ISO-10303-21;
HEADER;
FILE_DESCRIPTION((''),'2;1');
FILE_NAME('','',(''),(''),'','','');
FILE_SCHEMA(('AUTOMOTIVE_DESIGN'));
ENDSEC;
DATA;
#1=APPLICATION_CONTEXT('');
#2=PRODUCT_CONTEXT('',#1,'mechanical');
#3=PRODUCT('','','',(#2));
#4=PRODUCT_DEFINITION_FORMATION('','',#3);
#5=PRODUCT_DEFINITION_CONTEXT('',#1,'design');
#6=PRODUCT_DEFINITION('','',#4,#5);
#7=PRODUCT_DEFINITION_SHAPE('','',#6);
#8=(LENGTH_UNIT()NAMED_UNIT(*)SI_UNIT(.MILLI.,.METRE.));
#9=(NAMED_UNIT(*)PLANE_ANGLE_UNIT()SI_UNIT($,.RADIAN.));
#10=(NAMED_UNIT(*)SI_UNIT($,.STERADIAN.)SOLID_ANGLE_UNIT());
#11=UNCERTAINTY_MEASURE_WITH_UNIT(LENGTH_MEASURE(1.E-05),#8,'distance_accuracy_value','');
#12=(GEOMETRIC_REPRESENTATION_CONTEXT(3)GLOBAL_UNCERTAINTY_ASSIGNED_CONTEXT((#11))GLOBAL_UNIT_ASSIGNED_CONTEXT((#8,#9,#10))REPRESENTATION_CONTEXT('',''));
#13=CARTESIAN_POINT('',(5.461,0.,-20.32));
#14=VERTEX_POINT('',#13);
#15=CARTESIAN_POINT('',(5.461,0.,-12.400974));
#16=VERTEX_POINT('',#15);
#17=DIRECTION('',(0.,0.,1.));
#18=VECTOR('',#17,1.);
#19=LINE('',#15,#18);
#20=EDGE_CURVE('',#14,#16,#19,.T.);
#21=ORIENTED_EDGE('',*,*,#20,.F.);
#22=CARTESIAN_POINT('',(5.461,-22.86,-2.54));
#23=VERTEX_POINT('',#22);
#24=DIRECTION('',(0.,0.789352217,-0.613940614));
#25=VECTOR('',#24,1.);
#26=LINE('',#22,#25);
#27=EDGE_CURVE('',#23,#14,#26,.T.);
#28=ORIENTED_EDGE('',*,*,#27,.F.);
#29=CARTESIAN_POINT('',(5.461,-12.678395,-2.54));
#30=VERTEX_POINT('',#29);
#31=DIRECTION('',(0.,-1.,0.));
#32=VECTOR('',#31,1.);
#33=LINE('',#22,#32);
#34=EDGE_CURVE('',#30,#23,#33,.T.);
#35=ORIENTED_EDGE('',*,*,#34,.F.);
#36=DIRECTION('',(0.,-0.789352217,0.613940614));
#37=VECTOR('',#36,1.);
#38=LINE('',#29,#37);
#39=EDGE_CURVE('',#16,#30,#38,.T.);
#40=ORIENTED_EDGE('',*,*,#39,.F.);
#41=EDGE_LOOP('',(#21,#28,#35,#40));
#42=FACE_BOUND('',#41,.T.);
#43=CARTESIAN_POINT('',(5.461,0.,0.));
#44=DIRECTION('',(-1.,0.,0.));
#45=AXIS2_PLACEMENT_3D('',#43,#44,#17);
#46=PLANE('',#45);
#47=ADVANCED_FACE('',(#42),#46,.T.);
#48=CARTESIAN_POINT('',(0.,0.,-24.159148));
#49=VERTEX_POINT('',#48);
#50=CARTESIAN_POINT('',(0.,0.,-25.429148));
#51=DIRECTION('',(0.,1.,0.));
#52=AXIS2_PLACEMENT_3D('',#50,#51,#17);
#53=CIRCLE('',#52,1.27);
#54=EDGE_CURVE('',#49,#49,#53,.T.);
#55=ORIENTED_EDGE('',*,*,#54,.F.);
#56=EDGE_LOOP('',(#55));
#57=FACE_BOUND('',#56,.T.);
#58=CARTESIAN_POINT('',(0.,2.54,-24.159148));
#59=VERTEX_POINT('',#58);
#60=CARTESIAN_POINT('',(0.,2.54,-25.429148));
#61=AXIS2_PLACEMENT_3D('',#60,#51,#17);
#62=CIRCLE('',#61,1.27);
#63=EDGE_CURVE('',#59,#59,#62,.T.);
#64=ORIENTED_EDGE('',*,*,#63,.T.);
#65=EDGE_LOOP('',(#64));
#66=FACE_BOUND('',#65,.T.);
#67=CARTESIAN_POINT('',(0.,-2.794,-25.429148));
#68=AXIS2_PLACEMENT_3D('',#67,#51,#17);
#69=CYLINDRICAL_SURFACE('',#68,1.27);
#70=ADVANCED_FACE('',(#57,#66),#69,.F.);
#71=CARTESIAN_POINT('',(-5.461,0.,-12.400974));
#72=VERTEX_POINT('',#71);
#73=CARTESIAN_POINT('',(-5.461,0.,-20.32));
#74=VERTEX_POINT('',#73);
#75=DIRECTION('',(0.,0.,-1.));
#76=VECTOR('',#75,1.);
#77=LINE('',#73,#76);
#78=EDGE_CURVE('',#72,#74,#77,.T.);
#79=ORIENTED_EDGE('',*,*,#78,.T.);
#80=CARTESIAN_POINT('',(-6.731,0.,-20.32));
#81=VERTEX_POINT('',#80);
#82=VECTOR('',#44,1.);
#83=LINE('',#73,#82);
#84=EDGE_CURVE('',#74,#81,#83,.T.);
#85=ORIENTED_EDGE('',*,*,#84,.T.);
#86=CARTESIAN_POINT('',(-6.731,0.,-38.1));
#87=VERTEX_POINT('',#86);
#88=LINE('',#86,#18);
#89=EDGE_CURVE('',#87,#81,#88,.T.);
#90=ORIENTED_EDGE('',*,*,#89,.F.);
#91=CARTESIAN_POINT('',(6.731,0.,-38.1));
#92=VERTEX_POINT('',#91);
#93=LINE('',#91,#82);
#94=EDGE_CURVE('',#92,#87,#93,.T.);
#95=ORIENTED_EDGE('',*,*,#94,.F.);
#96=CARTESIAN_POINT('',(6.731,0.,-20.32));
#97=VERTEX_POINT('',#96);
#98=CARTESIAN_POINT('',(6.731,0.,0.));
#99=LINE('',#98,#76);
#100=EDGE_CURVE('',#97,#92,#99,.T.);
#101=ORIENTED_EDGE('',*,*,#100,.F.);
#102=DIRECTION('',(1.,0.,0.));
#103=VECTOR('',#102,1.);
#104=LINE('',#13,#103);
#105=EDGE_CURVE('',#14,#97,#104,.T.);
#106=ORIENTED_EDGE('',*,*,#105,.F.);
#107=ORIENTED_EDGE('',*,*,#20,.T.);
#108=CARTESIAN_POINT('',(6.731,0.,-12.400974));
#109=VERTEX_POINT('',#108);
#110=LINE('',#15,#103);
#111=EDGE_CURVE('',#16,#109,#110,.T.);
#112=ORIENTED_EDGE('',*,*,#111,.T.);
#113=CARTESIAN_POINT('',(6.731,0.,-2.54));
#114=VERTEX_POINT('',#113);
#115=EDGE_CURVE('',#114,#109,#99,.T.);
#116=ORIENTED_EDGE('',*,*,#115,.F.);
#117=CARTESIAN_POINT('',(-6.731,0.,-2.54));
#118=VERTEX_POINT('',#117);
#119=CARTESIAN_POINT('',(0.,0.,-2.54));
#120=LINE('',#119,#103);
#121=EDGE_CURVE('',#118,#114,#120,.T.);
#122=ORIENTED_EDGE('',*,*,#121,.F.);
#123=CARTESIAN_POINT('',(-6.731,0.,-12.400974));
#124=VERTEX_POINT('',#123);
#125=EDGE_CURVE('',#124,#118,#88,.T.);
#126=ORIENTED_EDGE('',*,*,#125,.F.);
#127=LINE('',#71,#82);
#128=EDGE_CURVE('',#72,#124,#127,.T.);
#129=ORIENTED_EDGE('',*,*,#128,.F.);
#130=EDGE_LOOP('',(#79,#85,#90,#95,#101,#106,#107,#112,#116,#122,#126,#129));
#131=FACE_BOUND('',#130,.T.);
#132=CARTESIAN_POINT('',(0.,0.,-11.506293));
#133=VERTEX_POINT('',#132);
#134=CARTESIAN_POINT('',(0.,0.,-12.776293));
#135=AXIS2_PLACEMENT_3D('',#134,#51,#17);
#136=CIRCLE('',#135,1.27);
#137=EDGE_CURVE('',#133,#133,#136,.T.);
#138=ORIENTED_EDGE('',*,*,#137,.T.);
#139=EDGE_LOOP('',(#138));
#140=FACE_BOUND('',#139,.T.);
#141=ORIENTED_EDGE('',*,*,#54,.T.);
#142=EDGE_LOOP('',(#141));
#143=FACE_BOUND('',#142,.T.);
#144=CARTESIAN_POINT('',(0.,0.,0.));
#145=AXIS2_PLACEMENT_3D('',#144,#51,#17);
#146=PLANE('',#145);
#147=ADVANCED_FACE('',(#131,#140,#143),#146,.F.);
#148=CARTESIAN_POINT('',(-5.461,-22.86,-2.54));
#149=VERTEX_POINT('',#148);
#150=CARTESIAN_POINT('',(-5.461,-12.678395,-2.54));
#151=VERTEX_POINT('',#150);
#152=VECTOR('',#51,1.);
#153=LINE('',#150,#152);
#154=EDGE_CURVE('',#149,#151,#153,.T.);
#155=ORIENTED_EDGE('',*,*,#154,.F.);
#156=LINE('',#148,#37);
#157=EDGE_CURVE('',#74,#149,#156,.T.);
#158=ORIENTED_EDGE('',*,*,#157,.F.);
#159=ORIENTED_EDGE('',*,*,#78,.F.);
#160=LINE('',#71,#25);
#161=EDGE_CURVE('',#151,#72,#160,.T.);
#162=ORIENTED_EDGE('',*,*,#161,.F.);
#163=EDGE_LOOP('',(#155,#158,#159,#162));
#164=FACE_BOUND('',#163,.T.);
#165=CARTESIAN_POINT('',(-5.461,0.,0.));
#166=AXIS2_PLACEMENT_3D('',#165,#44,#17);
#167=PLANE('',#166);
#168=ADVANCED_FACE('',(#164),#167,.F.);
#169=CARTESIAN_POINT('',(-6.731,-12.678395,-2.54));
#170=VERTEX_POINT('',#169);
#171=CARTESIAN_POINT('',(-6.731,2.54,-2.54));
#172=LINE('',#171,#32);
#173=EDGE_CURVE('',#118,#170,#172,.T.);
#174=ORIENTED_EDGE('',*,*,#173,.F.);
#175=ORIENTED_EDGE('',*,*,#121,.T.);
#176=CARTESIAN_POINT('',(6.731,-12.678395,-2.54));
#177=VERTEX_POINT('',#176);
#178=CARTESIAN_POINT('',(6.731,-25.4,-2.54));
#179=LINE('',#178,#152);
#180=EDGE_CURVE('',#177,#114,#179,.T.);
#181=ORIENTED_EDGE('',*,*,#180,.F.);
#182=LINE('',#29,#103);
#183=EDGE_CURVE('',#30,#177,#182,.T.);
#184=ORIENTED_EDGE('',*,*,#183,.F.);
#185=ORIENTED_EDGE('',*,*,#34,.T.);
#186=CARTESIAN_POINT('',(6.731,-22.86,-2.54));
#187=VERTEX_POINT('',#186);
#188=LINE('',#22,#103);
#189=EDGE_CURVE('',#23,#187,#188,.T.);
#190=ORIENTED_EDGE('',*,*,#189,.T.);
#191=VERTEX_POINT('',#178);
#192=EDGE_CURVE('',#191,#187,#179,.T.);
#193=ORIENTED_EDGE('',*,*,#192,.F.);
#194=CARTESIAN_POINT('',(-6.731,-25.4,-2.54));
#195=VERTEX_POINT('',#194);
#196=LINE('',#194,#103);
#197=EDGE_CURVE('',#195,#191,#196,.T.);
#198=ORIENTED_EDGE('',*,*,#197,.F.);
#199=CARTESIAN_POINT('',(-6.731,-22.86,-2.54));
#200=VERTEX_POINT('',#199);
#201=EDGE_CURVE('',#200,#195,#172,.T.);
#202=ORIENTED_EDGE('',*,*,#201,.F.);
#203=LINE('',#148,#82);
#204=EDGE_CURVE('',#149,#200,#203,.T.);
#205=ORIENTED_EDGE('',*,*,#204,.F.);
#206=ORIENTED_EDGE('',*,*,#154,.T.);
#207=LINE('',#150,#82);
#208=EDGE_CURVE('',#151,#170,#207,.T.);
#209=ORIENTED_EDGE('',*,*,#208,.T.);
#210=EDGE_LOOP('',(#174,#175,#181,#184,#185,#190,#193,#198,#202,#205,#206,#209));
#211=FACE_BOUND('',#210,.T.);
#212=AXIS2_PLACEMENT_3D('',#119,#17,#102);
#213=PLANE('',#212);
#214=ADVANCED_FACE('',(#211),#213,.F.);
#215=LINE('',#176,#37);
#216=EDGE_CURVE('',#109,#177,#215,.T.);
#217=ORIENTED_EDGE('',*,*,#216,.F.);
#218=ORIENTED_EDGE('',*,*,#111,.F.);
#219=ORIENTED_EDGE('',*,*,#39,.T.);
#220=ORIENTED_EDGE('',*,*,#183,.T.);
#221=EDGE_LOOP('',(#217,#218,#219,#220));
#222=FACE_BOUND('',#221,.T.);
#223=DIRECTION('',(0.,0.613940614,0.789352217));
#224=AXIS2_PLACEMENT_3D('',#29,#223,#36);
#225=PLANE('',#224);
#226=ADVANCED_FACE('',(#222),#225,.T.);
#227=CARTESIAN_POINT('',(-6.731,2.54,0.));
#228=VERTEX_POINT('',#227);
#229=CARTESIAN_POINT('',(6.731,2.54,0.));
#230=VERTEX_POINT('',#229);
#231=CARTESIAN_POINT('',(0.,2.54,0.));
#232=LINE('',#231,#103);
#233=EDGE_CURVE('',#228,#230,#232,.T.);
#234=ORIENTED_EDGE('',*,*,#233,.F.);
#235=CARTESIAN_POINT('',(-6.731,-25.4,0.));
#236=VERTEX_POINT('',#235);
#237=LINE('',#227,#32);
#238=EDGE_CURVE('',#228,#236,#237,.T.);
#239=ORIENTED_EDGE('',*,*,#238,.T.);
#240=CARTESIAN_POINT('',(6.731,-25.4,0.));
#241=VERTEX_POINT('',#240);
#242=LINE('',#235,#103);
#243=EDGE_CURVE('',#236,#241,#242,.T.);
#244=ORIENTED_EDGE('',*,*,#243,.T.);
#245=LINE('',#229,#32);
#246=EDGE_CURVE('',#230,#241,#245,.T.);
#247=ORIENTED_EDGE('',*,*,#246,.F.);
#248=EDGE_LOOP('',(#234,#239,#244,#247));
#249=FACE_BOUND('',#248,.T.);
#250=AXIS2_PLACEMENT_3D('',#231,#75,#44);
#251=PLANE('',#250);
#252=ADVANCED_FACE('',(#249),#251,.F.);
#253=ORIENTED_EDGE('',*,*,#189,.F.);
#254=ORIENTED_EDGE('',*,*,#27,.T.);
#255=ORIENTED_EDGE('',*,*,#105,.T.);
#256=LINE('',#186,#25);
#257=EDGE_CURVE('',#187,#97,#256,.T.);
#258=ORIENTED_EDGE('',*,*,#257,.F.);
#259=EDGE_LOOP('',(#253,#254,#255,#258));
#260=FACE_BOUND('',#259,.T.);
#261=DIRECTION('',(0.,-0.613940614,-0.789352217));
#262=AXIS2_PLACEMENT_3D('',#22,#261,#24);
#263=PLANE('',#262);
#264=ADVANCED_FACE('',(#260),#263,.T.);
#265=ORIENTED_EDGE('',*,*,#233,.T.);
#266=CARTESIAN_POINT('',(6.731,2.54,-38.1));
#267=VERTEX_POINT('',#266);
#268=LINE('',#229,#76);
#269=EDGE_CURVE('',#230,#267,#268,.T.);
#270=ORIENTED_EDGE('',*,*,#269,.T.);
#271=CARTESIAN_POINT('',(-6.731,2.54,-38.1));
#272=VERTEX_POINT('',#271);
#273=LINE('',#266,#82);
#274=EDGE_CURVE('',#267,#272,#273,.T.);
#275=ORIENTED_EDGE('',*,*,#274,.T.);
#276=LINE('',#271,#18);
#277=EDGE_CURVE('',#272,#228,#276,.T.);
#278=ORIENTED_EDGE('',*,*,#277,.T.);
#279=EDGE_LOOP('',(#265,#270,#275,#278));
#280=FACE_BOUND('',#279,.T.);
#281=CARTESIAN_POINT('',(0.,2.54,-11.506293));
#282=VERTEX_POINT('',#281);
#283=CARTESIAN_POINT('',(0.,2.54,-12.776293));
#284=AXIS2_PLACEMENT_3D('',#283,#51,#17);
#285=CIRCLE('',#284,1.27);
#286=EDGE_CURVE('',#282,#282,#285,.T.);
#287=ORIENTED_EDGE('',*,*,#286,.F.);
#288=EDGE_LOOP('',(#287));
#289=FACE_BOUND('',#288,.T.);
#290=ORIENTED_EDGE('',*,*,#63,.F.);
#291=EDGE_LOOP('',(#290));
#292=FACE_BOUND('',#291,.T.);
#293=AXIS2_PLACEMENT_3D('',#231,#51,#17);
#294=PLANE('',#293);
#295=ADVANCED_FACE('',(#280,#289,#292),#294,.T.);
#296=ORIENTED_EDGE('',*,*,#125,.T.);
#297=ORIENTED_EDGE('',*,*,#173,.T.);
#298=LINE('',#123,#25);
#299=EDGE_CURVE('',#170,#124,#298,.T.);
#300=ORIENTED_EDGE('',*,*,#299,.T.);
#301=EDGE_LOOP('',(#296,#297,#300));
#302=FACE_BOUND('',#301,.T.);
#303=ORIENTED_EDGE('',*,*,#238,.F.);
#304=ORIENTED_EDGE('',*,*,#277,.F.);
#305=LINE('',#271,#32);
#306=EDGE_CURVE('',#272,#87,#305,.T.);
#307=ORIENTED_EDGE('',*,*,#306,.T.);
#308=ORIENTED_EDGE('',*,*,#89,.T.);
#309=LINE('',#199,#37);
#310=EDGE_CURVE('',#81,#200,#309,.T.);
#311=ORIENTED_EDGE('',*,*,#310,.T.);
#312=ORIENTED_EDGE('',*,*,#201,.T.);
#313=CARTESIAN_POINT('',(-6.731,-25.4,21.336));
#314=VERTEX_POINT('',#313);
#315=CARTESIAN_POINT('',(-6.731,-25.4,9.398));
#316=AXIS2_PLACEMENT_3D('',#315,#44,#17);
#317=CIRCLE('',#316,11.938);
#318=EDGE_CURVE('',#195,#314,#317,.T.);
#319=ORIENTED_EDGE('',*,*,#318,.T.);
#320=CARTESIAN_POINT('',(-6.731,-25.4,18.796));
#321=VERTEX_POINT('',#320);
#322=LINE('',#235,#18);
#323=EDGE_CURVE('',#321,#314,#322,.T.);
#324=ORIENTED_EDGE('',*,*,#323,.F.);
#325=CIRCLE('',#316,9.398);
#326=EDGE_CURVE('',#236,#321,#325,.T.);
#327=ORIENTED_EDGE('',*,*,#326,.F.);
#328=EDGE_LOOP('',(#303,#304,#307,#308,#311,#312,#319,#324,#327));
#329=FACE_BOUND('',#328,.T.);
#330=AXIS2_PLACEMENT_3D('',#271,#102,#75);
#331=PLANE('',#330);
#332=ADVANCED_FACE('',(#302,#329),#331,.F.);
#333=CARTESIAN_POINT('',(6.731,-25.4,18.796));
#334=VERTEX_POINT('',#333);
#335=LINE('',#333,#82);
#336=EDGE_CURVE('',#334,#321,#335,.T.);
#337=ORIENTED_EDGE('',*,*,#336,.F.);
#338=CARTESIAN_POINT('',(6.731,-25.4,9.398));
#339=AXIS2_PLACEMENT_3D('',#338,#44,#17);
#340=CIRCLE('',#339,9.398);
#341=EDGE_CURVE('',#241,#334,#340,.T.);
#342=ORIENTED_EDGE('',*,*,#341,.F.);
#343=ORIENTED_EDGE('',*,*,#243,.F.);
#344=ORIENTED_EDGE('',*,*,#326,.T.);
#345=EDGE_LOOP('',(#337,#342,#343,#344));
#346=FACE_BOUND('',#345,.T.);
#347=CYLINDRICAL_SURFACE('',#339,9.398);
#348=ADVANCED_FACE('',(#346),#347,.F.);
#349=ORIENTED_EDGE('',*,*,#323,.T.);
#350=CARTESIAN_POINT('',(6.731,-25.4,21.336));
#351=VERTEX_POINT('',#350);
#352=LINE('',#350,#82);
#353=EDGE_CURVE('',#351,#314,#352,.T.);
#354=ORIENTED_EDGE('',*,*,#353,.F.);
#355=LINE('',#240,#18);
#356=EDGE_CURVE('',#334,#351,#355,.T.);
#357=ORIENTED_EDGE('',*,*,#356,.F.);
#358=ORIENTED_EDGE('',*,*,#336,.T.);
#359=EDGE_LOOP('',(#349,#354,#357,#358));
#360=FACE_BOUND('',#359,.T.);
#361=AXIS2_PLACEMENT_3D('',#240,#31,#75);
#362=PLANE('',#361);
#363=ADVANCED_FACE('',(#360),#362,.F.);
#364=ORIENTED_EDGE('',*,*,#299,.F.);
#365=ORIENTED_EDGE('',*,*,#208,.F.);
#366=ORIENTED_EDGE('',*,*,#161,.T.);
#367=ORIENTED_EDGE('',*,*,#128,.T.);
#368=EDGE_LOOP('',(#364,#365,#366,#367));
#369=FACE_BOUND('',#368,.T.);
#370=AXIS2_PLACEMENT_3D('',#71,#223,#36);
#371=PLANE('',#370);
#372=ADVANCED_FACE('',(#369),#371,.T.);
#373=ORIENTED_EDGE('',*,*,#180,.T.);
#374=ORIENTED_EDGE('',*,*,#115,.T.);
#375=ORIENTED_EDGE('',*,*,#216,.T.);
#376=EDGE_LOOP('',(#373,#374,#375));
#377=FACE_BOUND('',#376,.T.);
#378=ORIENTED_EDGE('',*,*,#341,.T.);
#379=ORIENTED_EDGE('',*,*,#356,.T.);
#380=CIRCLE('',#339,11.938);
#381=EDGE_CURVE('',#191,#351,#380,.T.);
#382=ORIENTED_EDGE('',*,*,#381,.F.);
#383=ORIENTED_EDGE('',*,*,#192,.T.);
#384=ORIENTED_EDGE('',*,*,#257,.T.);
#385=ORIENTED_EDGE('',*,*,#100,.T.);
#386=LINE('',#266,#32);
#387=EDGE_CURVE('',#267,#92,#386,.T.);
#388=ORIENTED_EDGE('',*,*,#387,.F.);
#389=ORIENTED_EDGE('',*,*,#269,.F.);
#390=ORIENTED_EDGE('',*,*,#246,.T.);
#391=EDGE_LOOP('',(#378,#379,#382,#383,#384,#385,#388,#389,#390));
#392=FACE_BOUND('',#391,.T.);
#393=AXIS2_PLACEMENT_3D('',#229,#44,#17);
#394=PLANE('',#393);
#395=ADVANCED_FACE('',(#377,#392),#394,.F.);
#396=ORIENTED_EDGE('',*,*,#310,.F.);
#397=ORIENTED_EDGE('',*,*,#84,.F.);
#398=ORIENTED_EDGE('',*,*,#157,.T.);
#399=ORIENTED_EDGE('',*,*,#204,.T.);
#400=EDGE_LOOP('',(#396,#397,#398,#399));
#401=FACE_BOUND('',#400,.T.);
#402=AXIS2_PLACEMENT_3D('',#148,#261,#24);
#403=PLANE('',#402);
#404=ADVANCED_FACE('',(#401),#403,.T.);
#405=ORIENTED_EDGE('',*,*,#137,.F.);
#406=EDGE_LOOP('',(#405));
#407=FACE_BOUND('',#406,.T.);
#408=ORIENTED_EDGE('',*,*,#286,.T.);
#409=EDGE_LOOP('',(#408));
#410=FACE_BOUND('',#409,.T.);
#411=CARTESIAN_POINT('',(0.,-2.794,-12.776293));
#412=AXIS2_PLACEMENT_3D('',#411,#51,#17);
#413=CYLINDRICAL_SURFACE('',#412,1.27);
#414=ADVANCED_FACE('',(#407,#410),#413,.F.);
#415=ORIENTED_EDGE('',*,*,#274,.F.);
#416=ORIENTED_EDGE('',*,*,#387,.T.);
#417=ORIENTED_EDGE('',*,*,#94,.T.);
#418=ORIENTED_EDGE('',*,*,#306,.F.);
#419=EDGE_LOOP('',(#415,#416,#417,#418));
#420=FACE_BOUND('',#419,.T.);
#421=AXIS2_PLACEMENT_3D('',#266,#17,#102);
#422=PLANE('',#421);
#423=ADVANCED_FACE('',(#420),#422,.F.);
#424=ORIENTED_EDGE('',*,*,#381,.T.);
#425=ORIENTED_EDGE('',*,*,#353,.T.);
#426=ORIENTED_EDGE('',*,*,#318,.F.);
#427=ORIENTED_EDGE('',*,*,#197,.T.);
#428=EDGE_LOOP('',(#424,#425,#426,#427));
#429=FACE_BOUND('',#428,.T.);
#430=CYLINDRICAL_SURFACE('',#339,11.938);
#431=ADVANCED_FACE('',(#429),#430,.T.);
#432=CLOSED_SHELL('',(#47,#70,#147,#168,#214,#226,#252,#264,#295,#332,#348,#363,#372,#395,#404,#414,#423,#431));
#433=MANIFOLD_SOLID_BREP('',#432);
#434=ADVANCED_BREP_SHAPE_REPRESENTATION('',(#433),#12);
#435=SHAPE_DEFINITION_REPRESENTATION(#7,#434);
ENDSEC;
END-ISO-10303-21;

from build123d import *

# Parameters (mm, degrees)
BOSS_EXTRUDE1_DEPTH  = 2.54
SKETCH2_R            = 1.27
CUT_EXTRUDE1_DEPTH   = 5.334
SKETCH3_W            = 13.462
SKETCH3_H            = 27.94
BOSS_EXTRUDE2_DEPTH  = 2.54
BOSS_EXTRUDE3_DEPTH  = 13.462
BOSS_EXTRUDE7_DEPTH  = 1.27
BOSS_EXTRUDE12_DEPTH = 1.27


with BuildPart() as part:
    # Sketch1 → Boss-Extrude1 (new body)
    with BuildSketch(Plane(origin=(0, 0, 0), x_dir=(1, 0, 0), z_dir=(0, 1, 0))):
        Polygon((0, 0), (6.731, 0), (6.731, 38.1), (-6.731, 38.1), (-6.731, 0), align=None)
    extrude(amount=BOSS_EXTRUDE1_DEPTH)

    # Sketch2 → Cut-Extrude1 (cut)
    with BuildSketch(Plane(origin=(0, 2.54, 0), x_dir=(1, 0, 0), z_dir=(0, 1, 0))):
        with Locations(Location((0, 25.429147729, 0), (0, 0, 270))):
            Circle(SKETCH2_R)
        with Locations(Location((0, 12.776292729, 0), (0, 0, 270))):
            Circle(SKETCH2_R)
    extrude(amount=-CUT_EXTRUDE1_DEPTH, mode=Mode.SUBTRACT)

    # Sketch3 → Boss-Extrude2 (add)
    with BuildSketch(Plane.XY):
        with Locations((0, -11.43)):
            Rectangle(SKETCH3_W, SKETCH3_H)
    extrude(amount=-BOSS_EXTRUDE2_DEPTH)

    # Sketch4 → Boss-Extrude3 (add)
    with BuildSketch(Plane.ZY.offset(6.731)):
        with BuildLine():
            Line((0, -25.4), (-2.54, -25.4))
            ThreePointArc((-2.54, -25.4), (9.398, -37.338), (21.336, -25.4))
            Line((21.336, -25.4), (18.796, -25.4))
            ThreePointArc((18.796, -25.4), (9.398, -34.798), (0, -25.4))
        make_face()
    extrude(amount=-BOSS_EXTRUDE3_DEPTH)

    # Sketch8 → Boss-Extrude7 (add)
    with BuildSketch(Plane(origin=(6.731, 0, 0), x_dir=(0, 0, -1), z_dir=(1, 0, 0))):
        Polygon((2.54, -22.86), (20.32, 0), (12.400973841, 0), (2.54, -12.678394938), align=None)
    extrude(amount=-BOSS_EXTRUDE7_DEPTH)

    # Sketch9 → Boss-Extrude12 (add)
    with BuildSketch(Plane.ZY.offset(6.731)):
        Polygon((-2.54, -12.678394938), (-2.54, -22.86), (-20.32, 0), (-12.400973841, 0), align=None)
    extrude(amount=-BOSS_EXTRUDE12_DEPTH)


solid = part.part
